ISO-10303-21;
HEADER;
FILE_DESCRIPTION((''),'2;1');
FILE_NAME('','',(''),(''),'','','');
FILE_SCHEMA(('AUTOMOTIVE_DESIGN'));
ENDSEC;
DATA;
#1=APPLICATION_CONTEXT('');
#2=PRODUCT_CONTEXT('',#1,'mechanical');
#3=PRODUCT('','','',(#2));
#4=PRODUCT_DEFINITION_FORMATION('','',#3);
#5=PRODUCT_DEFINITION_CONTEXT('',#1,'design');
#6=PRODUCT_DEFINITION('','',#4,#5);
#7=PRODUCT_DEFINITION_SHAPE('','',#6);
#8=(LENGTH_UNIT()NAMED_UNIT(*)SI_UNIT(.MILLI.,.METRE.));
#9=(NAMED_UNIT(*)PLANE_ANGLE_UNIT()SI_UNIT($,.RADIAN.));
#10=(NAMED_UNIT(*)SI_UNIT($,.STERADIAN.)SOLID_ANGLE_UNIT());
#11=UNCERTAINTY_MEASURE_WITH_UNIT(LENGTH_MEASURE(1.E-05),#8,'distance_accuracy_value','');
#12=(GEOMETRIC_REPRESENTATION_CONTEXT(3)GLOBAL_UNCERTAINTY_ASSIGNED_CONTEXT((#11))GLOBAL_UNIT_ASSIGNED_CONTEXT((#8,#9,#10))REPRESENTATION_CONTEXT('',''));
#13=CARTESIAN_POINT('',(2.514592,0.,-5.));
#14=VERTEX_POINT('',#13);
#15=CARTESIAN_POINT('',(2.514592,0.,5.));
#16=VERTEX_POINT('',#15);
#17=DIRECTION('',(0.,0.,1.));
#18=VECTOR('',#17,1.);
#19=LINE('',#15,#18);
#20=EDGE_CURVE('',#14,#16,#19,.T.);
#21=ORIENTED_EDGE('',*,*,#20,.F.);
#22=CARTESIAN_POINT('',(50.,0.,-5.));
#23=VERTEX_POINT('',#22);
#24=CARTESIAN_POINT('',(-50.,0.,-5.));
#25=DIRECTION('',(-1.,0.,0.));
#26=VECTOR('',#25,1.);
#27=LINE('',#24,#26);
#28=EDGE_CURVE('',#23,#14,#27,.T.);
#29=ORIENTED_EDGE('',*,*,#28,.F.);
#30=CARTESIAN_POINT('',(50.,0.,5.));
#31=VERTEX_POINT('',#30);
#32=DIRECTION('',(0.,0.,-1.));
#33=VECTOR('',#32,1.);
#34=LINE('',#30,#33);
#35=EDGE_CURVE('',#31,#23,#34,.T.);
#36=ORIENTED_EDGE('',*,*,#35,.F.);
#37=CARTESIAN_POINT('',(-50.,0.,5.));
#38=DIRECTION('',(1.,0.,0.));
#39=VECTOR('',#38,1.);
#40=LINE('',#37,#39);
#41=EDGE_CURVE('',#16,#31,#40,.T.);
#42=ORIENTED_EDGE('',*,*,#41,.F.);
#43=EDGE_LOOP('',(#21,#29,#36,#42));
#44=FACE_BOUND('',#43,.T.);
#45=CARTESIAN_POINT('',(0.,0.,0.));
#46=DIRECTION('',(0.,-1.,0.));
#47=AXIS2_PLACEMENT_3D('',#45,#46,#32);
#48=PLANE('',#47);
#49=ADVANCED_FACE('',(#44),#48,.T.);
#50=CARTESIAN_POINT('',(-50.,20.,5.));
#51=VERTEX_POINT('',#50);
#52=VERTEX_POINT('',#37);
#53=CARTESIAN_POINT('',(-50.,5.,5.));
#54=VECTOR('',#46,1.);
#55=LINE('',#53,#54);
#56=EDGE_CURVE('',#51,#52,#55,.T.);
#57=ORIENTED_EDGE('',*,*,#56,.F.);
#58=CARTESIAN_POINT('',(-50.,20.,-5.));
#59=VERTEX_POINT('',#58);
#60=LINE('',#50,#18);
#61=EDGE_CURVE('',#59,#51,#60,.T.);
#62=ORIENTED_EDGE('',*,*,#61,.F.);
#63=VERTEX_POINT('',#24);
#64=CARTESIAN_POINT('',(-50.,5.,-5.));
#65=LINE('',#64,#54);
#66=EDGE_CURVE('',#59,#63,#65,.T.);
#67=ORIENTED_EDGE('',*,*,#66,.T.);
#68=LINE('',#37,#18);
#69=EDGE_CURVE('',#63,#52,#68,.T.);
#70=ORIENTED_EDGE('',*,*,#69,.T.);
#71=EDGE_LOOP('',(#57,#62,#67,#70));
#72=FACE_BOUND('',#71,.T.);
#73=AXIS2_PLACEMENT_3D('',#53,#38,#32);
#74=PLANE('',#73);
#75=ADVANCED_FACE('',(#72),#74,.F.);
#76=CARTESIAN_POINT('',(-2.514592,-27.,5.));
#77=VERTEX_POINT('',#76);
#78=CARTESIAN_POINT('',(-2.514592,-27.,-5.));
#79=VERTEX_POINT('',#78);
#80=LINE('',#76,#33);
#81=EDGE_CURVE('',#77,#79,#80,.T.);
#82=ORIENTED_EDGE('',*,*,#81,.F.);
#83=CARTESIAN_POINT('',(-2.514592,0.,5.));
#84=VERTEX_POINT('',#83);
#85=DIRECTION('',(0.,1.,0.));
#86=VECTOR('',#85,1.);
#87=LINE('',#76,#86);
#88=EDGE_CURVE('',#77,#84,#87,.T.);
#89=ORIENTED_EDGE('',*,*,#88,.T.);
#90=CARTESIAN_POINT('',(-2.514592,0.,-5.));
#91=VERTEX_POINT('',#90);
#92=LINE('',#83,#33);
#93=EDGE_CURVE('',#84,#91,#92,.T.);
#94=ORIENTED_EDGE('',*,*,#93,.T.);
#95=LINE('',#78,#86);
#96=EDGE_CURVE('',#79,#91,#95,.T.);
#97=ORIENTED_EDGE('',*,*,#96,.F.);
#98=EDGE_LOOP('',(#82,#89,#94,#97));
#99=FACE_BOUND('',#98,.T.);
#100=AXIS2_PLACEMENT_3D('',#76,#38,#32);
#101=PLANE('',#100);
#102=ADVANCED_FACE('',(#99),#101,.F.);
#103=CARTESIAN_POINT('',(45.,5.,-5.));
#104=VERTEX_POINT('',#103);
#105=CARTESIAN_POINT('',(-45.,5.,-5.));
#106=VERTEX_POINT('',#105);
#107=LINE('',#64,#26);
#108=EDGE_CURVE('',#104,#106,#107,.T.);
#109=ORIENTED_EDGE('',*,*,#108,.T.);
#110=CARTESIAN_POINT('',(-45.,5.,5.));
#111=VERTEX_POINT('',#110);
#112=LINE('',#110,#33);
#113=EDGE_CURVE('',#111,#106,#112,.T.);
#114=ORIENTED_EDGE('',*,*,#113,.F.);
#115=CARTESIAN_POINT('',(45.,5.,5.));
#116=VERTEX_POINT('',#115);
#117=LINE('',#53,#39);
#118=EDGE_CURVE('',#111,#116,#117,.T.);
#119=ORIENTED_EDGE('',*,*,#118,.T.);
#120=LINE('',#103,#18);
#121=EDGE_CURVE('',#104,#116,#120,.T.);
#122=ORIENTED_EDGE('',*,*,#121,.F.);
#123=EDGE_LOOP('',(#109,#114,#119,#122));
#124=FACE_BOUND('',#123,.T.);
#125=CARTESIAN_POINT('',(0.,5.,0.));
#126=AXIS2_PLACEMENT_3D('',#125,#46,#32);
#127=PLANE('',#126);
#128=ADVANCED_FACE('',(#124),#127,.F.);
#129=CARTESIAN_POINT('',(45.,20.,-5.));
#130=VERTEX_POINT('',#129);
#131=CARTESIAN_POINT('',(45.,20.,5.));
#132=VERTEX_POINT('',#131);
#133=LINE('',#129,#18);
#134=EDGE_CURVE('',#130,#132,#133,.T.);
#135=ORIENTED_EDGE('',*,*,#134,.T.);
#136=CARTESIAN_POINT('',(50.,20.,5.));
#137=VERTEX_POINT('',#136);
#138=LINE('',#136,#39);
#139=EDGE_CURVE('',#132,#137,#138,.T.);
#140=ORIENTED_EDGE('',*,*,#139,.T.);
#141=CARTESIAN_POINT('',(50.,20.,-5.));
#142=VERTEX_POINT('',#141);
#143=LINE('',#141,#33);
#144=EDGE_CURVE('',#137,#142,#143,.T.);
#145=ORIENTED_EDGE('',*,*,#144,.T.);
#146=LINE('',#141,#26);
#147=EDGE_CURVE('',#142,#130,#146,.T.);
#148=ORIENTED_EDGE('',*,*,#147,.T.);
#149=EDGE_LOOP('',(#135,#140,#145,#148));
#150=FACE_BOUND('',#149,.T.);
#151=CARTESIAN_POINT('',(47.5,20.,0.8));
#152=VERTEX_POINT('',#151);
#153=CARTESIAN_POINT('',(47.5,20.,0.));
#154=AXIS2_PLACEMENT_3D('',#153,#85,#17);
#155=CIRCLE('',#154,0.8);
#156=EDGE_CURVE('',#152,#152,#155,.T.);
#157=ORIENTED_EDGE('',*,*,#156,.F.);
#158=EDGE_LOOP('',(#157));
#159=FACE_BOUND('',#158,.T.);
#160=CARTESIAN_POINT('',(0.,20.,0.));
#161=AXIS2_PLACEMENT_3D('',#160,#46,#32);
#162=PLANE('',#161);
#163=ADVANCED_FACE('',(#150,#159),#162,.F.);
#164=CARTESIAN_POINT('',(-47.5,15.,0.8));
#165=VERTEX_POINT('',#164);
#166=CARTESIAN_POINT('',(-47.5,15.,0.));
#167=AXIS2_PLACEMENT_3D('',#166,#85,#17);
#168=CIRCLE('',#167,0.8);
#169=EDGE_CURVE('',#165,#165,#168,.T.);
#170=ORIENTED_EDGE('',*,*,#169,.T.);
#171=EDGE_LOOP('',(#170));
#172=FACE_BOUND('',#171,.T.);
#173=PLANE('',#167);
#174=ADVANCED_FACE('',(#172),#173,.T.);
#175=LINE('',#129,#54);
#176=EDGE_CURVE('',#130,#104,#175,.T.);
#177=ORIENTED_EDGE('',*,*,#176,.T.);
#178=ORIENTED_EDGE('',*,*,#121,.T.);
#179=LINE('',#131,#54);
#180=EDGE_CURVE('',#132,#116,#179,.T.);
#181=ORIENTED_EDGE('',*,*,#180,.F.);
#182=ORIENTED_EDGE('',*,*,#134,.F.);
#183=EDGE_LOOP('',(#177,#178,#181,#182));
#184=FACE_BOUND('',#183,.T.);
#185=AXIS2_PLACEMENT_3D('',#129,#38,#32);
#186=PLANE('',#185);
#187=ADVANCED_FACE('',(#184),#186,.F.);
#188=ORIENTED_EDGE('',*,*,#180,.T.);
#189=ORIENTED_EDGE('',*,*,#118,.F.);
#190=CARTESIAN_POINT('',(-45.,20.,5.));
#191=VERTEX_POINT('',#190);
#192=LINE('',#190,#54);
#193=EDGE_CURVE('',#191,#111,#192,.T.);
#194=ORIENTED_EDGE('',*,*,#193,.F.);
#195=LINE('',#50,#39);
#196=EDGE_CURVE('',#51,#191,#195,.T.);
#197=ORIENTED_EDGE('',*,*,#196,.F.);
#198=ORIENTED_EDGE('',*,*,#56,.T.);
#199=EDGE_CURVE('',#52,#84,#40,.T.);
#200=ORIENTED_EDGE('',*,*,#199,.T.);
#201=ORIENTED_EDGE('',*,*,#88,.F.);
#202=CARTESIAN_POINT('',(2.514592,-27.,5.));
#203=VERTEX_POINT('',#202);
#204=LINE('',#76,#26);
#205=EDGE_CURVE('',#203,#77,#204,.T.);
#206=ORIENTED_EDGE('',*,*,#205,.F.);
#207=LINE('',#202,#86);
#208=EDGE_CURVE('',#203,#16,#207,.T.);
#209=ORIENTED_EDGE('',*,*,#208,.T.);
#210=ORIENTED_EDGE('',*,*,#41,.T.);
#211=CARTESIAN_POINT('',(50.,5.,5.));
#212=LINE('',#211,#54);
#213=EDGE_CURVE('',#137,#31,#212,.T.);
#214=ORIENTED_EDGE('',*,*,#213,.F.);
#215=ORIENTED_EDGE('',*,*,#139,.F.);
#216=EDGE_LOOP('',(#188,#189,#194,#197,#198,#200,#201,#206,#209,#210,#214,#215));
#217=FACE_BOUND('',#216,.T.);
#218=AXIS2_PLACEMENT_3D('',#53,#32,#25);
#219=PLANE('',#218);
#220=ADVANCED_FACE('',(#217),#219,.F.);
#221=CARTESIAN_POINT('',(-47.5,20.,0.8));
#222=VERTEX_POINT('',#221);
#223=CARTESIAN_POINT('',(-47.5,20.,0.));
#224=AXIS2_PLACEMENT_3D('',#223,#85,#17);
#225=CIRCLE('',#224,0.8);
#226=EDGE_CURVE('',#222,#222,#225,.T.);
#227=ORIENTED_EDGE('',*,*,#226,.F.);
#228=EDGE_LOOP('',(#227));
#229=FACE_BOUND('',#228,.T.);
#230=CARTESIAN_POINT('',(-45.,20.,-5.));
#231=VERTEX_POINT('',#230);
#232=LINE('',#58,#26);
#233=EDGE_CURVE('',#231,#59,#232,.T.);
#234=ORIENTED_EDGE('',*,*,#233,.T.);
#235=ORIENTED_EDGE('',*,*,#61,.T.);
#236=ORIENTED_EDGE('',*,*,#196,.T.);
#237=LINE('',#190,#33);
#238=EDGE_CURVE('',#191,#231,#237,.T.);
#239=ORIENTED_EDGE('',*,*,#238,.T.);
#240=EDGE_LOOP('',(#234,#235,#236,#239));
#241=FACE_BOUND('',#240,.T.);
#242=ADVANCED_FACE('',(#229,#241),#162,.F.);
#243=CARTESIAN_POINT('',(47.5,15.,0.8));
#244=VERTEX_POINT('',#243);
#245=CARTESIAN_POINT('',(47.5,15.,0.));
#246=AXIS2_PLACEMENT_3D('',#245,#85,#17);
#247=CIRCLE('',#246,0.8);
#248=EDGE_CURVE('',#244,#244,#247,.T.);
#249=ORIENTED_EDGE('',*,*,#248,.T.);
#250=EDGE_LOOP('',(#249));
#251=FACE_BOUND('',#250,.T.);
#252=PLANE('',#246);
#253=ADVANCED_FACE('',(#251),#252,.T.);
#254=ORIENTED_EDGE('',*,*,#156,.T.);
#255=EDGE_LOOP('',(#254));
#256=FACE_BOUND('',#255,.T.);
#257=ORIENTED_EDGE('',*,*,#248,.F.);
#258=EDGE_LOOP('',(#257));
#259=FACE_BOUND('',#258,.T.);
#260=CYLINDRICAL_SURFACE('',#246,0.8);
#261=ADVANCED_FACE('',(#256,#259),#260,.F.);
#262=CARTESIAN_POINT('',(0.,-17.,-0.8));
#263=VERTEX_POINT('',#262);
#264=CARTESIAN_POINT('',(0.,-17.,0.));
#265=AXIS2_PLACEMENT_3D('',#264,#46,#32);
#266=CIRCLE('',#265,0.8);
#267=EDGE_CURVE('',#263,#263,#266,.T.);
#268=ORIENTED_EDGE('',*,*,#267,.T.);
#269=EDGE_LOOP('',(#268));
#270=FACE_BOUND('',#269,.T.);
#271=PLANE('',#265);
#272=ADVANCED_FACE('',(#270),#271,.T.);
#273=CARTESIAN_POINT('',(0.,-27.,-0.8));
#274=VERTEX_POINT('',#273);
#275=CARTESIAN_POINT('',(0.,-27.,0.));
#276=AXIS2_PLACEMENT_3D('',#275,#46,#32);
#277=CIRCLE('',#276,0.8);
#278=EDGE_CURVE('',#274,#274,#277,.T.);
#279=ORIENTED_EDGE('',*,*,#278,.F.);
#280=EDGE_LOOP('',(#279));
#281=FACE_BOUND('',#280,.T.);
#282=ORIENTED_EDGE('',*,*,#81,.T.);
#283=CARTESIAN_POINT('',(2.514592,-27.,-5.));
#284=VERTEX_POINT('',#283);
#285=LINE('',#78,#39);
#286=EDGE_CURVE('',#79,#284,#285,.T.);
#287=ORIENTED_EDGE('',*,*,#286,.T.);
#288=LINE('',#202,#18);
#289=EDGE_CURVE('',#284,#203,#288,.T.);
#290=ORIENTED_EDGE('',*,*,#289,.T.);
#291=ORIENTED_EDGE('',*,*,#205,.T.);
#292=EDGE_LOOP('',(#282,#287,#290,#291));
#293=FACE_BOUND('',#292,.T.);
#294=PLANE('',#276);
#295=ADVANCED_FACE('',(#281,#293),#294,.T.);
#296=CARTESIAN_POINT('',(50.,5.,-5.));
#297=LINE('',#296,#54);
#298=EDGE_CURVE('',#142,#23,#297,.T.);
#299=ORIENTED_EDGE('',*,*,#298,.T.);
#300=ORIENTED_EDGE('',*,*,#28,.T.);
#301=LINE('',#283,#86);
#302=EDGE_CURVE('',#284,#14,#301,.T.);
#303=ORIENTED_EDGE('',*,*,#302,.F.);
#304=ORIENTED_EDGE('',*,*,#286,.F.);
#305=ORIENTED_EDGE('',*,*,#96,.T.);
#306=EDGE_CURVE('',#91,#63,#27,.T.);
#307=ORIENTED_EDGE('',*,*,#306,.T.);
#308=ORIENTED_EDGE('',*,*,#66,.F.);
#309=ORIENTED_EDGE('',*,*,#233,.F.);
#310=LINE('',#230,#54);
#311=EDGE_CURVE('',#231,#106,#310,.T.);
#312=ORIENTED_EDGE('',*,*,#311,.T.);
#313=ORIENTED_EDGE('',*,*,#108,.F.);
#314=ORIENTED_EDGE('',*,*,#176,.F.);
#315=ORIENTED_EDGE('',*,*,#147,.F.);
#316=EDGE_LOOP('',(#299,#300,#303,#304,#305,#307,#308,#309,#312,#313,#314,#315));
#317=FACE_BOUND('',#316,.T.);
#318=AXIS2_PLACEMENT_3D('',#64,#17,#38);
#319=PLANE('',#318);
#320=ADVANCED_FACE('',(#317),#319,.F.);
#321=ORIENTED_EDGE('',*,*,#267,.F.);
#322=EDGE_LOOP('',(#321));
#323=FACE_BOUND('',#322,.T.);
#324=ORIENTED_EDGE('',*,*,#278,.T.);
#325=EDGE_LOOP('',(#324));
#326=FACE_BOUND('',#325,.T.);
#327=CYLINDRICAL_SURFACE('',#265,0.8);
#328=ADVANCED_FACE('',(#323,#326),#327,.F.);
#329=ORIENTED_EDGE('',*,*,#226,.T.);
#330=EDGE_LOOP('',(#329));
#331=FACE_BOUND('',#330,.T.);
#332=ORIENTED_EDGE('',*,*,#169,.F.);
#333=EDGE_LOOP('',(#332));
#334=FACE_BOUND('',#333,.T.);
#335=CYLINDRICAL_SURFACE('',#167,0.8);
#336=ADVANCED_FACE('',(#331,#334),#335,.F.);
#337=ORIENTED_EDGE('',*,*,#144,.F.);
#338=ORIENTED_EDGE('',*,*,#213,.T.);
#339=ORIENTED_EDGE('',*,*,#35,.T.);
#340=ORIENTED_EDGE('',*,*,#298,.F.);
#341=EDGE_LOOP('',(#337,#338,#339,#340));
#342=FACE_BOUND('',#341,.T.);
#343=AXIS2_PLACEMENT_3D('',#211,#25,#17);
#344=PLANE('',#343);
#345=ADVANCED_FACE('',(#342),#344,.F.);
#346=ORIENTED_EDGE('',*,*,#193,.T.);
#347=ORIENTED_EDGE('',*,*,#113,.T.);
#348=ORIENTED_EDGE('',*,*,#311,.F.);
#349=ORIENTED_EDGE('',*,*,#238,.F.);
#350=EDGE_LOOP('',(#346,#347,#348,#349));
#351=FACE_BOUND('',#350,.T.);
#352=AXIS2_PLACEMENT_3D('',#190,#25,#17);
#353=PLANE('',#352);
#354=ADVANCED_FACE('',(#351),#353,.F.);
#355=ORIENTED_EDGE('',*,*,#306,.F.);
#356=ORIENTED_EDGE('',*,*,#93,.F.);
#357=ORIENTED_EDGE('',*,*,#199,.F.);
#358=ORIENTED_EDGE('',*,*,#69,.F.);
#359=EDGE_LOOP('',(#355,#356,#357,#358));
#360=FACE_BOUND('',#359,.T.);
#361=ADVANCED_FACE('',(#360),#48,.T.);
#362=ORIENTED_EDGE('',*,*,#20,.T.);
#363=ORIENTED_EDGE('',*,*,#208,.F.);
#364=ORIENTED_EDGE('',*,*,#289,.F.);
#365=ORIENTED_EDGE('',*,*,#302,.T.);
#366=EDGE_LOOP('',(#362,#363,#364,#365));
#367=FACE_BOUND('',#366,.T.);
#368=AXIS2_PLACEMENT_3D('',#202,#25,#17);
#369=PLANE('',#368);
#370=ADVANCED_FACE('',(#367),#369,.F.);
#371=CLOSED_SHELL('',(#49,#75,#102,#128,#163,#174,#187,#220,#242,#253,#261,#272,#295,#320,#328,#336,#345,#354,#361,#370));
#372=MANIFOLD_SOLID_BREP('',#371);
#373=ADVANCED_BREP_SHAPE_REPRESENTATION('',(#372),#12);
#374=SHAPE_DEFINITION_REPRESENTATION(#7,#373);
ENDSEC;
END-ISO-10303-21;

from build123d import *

# Parameters (mm, degrees)
CROQUIS1_W              = 100
CROQUIS1_H              = 10
SALIENTE_EXTRUIR1_DEPTH = 5
CROQUIS2_W              = 5
CROQUIS2_H              = 10
SALIENTE_EXTRUIR2_DEPTH = 15
CROQUIS3_R              = 0.8
CORTAR_EXTRUIR1_DEPTH   = 5
CROQUIS4_W              = 5.029184128
CROQUIS4_H              = 10
SALIENTE_EXTRUIR3_DEPTH = 27
CROQUIS5_R              = 0.8
CORTAR_EXTRUIR2_DEPTH   = 10


with BuildPart() as part:
    # Croquis1 → Saliente-Extruir1 (new body)
    with BuildSketch(Plane(origin=(0, 0, 0), x_dir=(1, 0, 0), z_dir=(0, 1, 0))):
        Rectangle(CROQUIS1_W, CROQUIS1_H)
    extrude(amount=SALIENTE_EXTRUIR1_DEPTH)

    # Croquis2 → Saliente-Extruir2 (add)
    with BuildSketch(Plane(origin=(0, 5, 0), x_dir=(1, 0, 0), z_dir=(0, 1, 0))):
        with Locations((-47.5, 0)):
            Rectangle(CROQUIS2_W, CROQUIS2_H)
        with Locations((47.5, 0)):
            Rectangle(CROQUIS2_W, CROQUIS2_H)
    extrude(amount=SALIENTE_EXTRUIR2_DEPTH)

    # Croquis3 → Cortar-Extruir1 (cut)
    with BuildSketch(Plane(origin=(0, 20, 0), x_dir=(1, 0, 0), z_dir=(0, 1, 0))):
        with Locations((-47.5, 0)):
            Circle(CROQUIS3_R)
        with Locations((47.5, 0)):
            Circle(CROQUIS3_R)
    extrude(amount=-CORTAR_EXTRUIR1_DEPTH, mode=Mode.SUBTRACT)

    # Croquis4 → Saliente-Extruir3 (add)
    with BuildSketch(Plane.XZ):
        Rectangle(CROQUIS4_W, CROQUIS4_H)
    extrude(amount=SALIENTE_EXTRUIR3_DEPTH)

    # Croquis5 → Cortar-Extruir2 (cut)
    with BuildSketch(Plane.XZ.offset(27)):
        Circle(CROQUIS5_R)
    extrude(amount=-CORTAR_EXTRUIR2_DEPTH, mode=Mode.SUBTRACT)


solid = part.part
